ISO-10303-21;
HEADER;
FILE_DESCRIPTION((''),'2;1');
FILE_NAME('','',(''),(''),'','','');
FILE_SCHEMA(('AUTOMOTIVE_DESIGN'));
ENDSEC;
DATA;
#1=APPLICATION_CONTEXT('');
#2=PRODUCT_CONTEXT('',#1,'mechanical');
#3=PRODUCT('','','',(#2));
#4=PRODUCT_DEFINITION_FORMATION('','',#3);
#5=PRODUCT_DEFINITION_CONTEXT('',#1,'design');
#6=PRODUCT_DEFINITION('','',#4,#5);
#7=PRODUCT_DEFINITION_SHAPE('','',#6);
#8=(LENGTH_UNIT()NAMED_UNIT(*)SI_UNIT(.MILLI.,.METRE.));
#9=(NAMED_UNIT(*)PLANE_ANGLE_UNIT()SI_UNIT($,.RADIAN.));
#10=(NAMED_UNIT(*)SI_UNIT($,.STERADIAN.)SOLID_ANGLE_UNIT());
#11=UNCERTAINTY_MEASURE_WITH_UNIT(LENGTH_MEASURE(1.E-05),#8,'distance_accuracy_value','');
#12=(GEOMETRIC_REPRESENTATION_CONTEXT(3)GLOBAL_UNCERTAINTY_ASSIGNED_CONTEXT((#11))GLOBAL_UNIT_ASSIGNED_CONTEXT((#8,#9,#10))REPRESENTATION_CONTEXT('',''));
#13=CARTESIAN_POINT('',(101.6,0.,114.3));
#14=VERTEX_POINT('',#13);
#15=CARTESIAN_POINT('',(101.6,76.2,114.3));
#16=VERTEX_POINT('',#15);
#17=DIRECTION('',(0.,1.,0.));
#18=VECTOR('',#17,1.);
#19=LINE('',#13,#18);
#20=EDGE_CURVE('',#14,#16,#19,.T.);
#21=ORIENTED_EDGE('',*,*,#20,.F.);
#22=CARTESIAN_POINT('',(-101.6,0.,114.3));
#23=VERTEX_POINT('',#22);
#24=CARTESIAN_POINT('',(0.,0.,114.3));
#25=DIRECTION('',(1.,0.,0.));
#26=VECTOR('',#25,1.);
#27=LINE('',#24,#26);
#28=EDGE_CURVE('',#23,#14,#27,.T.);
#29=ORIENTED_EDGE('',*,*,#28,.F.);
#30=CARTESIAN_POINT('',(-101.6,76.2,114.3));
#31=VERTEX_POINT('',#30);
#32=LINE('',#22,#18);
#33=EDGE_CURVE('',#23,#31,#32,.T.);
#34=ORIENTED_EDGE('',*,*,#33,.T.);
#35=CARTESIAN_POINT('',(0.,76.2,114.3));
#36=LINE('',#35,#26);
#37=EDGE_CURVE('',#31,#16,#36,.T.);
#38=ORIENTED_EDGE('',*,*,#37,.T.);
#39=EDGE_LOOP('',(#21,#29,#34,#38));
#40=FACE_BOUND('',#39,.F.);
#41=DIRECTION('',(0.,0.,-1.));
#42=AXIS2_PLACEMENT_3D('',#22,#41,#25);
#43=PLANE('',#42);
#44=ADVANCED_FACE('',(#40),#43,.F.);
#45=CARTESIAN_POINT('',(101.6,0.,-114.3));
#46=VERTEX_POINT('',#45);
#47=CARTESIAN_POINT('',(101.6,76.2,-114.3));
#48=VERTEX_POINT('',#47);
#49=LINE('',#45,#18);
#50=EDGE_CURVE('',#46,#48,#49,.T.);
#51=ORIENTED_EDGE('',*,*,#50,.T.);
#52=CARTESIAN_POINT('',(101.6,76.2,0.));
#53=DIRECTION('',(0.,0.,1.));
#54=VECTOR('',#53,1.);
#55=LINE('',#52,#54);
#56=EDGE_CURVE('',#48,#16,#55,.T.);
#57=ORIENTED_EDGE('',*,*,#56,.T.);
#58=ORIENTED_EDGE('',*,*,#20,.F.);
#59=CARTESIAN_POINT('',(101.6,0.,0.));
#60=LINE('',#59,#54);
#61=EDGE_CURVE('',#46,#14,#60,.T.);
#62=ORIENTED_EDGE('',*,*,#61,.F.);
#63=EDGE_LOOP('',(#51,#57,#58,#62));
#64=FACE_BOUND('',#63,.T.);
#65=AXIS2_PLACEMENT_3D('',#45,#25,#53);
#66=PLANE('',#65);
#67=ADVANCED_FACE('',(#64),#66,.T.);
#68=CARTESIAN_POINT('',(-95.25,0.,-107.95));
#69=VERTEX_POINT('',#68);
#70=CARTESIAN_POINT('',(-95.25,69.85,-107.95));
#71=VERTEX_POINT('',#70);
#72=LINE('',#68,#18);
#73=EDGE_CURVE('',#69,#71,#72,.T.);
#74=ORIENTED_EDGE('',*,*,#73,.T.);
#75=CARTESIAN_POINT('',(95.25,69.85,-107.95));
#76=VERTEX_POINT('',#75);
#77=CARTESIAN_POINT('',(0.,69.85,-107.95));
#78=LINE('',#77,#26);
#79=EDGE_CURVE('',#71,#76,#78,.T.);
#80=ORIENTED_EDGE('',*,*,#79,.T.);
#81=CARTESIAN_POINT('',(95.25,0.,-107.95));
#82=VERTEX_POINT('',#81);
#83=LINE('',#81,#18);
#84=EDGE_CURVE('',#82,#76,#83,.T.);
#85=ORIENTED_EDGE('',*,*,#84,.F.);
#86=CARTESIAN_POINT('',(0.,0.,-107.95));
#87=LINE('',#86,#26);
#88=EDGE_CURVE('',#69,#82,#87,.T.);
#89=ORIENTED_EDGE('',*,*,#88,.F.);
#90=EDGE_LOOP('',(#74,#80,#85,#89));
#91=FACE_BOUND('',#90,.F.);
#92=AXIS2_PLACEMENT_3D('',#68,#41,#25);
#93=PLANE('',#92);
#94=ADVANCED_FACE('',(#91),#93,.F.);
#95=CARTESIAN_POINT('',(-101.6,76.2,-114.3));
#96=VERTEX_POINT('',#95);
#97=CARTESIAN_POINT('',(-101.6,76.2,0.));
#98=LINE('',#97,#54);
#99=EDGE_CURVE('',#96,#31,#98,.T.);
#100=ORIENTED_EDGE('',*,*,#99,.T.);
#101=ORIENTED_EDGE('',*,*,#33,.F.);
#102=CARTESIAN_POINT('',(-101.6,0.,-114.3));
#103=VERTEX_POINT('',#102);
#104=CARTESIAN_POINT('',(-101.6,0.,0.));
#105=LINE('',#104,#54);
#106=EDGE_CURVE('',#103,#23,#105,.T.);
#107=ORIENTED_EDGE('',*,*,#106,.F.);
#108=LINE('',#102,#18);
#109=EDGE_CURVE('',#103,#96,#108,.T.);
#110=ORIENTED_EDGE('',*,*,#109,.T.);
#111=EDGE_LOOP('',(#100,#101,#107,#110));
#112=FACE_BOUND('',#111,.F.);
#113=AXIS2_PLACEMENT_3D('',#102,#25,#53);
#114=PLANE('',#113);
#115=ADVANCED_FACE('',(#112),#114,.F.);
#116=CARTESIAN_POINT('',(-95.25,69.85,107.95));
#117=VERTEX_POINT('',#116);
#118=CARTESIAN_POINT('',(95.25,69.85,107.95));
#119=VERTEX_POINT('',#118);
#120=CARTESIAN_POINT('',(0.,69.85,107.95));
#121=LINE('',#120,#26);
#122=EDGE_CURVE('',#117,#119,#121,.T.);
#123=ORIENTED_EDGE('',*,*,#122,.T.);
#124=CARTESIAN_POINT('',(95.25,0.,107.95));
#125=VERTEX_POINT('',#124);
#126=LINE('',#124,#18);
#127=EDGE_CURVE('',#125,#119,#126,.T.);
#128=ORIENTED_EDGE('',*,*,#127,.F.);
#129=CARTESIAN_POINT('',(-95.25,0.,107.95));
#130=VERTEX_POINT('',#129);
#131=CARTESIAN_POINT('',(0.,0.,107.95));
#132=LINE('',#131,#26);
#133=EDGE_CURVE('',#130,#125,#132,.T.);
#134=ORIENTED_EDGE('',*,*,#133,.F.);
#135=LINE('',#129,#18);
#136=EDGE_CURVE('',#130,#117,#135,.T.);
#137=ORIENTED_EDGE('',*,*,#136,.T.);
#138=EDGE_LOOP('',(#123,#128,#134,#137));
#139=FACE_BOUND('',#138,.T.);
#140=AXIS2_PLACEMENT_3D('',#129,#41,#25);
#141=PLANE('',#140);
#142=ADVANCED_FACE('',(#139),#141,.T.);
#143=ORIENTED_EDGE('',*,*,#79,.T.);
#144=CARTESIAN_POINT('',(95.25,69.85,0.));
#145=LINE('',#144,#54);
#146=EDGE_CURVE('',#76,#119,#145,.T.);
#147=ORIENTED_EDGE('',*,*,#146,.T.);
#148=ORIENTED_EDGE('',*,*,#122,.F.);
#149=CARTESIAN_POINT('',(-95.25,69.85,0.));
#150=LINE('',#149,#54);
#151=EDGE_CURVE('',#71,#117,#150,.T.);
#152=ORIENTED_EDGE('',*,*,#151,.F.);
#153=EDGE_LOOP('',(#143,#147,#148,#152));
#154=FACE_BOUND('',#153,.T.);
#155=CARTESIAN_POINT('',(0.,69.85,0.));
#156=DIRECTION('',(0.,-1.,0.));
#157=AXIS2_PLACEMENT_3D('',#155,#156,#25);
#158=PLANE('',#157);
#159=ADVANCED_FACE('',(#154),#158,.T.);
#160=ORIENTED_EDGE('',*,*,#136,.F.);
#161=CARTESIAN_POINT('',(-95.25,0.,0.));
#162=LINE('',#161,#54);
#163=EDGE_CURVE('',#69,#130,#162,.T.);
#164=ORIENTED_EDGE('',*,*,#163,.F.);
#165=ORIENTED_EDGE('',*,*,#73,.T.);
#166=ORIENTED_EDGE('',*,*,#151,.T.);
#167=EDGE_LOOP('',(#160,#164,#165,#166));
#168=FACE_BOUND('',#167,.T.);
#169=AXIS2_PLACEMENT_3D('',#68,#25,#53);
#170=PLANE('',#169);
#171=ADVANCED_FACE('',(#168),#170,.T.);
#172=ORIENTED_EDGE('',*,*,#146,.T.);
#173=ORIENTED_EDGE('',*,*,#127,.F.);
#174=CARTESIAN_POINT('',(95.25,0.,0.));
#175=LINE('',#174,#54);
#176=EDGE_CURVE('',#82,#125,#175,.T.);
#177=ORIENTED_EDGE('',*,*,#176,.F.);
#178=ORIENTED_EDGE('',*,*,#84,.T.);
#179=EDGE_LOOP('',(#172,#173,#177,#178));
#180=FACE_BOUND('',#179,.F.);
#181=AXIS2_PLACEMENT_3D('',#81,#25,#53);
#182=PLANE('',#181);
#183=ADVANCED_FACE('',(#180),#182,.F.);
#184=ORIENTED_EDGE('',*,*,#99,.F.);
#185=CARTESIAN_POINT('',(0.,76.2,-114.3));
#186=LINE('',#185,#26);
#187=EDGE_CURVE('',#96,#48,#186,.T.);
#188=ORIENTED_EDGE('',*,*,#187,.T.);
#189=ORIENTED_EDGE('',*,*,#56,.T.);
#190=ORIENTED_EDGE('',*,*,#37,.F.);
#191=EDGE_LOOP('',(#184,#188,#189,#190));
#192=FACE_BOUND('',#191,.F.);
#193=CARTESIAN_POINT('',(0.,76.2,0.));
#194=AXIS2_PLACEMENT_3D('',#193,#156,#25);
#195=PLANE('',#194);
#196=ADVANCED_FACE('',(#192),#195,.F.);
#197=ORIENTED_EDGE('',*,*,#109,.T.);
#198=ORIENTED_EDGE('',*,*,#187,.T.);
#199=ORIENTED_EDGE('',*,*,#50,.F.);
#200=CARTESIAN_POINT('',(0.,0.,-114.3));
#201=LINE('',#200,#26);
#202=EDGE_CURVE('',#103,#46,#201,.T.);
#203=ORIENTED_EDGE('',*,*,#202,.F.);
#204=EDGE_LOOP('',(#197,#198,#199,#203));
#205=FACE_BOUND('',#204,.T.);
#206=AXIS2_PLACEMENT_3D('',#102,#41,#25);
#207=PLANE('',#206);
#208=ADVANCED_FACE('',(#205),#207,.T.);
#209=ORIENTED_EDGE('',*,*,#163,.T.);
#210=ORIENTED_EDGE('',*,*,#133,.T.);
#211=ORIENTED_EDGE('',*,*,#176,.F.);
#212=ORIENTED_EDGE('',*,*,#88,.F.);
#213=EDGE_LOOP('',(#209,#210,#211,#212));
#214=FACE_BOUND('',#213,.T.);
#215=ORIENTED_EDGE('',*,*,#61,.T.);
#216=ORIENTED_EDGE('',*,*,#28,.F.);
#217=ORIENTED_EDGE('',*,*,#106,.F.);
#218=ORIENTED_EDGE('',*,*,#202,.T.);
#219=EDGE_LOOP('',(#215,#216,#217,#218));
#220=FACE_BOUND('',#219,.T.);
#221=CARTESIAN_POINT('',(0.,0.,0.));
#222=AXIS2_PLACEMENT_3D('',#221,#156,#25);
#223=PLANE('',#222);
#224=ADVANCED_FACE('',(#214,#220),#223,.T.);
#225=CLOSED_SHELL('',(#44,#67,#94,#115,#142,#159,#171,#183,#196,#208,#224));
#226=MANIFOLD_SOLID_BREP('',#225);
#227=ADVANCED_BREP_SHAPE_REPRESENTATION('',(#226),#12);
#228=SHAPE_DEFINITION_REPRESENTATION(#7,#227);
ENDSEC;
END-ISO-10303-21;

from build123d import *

# Parameters (mm, degrees)
F0_W     = 203.2
F0_H     = 228.6
F0_W_2   = 190.5
F0_H_2   = 215.9
F1_DEPTH = 76.2
F2_DEPTH = 76.2
F3_DEPTH = 69.85


with BuildPart() as f1:
    # F0 (on Front) → F1 (new body)
    with BuildSketch(Plane.XZ):
        Rectangle(F0_W, F0_H)
        Rectangle(F0_W_2, F0_H_2, mode=Mode.SUBTRACT)
    extrude(amount=-F1_DEPTH)

    # F0 (on Front) → F2 (join)
    with BuildSketch(Plane.XZ):
        Rectangle(F0_W_2, F0_H_2)
    extrude(amount=-F2_DEPTH)

    # F0 (on Front) → F3 (cut)
    with BuildSketch(Plane.XZ):
        Rectangle(F0_W_2, F0_H_2)
    extrude(amount=-F3_DEPTH, mode=Mode.SUBTRACT)


solid = f1.part
